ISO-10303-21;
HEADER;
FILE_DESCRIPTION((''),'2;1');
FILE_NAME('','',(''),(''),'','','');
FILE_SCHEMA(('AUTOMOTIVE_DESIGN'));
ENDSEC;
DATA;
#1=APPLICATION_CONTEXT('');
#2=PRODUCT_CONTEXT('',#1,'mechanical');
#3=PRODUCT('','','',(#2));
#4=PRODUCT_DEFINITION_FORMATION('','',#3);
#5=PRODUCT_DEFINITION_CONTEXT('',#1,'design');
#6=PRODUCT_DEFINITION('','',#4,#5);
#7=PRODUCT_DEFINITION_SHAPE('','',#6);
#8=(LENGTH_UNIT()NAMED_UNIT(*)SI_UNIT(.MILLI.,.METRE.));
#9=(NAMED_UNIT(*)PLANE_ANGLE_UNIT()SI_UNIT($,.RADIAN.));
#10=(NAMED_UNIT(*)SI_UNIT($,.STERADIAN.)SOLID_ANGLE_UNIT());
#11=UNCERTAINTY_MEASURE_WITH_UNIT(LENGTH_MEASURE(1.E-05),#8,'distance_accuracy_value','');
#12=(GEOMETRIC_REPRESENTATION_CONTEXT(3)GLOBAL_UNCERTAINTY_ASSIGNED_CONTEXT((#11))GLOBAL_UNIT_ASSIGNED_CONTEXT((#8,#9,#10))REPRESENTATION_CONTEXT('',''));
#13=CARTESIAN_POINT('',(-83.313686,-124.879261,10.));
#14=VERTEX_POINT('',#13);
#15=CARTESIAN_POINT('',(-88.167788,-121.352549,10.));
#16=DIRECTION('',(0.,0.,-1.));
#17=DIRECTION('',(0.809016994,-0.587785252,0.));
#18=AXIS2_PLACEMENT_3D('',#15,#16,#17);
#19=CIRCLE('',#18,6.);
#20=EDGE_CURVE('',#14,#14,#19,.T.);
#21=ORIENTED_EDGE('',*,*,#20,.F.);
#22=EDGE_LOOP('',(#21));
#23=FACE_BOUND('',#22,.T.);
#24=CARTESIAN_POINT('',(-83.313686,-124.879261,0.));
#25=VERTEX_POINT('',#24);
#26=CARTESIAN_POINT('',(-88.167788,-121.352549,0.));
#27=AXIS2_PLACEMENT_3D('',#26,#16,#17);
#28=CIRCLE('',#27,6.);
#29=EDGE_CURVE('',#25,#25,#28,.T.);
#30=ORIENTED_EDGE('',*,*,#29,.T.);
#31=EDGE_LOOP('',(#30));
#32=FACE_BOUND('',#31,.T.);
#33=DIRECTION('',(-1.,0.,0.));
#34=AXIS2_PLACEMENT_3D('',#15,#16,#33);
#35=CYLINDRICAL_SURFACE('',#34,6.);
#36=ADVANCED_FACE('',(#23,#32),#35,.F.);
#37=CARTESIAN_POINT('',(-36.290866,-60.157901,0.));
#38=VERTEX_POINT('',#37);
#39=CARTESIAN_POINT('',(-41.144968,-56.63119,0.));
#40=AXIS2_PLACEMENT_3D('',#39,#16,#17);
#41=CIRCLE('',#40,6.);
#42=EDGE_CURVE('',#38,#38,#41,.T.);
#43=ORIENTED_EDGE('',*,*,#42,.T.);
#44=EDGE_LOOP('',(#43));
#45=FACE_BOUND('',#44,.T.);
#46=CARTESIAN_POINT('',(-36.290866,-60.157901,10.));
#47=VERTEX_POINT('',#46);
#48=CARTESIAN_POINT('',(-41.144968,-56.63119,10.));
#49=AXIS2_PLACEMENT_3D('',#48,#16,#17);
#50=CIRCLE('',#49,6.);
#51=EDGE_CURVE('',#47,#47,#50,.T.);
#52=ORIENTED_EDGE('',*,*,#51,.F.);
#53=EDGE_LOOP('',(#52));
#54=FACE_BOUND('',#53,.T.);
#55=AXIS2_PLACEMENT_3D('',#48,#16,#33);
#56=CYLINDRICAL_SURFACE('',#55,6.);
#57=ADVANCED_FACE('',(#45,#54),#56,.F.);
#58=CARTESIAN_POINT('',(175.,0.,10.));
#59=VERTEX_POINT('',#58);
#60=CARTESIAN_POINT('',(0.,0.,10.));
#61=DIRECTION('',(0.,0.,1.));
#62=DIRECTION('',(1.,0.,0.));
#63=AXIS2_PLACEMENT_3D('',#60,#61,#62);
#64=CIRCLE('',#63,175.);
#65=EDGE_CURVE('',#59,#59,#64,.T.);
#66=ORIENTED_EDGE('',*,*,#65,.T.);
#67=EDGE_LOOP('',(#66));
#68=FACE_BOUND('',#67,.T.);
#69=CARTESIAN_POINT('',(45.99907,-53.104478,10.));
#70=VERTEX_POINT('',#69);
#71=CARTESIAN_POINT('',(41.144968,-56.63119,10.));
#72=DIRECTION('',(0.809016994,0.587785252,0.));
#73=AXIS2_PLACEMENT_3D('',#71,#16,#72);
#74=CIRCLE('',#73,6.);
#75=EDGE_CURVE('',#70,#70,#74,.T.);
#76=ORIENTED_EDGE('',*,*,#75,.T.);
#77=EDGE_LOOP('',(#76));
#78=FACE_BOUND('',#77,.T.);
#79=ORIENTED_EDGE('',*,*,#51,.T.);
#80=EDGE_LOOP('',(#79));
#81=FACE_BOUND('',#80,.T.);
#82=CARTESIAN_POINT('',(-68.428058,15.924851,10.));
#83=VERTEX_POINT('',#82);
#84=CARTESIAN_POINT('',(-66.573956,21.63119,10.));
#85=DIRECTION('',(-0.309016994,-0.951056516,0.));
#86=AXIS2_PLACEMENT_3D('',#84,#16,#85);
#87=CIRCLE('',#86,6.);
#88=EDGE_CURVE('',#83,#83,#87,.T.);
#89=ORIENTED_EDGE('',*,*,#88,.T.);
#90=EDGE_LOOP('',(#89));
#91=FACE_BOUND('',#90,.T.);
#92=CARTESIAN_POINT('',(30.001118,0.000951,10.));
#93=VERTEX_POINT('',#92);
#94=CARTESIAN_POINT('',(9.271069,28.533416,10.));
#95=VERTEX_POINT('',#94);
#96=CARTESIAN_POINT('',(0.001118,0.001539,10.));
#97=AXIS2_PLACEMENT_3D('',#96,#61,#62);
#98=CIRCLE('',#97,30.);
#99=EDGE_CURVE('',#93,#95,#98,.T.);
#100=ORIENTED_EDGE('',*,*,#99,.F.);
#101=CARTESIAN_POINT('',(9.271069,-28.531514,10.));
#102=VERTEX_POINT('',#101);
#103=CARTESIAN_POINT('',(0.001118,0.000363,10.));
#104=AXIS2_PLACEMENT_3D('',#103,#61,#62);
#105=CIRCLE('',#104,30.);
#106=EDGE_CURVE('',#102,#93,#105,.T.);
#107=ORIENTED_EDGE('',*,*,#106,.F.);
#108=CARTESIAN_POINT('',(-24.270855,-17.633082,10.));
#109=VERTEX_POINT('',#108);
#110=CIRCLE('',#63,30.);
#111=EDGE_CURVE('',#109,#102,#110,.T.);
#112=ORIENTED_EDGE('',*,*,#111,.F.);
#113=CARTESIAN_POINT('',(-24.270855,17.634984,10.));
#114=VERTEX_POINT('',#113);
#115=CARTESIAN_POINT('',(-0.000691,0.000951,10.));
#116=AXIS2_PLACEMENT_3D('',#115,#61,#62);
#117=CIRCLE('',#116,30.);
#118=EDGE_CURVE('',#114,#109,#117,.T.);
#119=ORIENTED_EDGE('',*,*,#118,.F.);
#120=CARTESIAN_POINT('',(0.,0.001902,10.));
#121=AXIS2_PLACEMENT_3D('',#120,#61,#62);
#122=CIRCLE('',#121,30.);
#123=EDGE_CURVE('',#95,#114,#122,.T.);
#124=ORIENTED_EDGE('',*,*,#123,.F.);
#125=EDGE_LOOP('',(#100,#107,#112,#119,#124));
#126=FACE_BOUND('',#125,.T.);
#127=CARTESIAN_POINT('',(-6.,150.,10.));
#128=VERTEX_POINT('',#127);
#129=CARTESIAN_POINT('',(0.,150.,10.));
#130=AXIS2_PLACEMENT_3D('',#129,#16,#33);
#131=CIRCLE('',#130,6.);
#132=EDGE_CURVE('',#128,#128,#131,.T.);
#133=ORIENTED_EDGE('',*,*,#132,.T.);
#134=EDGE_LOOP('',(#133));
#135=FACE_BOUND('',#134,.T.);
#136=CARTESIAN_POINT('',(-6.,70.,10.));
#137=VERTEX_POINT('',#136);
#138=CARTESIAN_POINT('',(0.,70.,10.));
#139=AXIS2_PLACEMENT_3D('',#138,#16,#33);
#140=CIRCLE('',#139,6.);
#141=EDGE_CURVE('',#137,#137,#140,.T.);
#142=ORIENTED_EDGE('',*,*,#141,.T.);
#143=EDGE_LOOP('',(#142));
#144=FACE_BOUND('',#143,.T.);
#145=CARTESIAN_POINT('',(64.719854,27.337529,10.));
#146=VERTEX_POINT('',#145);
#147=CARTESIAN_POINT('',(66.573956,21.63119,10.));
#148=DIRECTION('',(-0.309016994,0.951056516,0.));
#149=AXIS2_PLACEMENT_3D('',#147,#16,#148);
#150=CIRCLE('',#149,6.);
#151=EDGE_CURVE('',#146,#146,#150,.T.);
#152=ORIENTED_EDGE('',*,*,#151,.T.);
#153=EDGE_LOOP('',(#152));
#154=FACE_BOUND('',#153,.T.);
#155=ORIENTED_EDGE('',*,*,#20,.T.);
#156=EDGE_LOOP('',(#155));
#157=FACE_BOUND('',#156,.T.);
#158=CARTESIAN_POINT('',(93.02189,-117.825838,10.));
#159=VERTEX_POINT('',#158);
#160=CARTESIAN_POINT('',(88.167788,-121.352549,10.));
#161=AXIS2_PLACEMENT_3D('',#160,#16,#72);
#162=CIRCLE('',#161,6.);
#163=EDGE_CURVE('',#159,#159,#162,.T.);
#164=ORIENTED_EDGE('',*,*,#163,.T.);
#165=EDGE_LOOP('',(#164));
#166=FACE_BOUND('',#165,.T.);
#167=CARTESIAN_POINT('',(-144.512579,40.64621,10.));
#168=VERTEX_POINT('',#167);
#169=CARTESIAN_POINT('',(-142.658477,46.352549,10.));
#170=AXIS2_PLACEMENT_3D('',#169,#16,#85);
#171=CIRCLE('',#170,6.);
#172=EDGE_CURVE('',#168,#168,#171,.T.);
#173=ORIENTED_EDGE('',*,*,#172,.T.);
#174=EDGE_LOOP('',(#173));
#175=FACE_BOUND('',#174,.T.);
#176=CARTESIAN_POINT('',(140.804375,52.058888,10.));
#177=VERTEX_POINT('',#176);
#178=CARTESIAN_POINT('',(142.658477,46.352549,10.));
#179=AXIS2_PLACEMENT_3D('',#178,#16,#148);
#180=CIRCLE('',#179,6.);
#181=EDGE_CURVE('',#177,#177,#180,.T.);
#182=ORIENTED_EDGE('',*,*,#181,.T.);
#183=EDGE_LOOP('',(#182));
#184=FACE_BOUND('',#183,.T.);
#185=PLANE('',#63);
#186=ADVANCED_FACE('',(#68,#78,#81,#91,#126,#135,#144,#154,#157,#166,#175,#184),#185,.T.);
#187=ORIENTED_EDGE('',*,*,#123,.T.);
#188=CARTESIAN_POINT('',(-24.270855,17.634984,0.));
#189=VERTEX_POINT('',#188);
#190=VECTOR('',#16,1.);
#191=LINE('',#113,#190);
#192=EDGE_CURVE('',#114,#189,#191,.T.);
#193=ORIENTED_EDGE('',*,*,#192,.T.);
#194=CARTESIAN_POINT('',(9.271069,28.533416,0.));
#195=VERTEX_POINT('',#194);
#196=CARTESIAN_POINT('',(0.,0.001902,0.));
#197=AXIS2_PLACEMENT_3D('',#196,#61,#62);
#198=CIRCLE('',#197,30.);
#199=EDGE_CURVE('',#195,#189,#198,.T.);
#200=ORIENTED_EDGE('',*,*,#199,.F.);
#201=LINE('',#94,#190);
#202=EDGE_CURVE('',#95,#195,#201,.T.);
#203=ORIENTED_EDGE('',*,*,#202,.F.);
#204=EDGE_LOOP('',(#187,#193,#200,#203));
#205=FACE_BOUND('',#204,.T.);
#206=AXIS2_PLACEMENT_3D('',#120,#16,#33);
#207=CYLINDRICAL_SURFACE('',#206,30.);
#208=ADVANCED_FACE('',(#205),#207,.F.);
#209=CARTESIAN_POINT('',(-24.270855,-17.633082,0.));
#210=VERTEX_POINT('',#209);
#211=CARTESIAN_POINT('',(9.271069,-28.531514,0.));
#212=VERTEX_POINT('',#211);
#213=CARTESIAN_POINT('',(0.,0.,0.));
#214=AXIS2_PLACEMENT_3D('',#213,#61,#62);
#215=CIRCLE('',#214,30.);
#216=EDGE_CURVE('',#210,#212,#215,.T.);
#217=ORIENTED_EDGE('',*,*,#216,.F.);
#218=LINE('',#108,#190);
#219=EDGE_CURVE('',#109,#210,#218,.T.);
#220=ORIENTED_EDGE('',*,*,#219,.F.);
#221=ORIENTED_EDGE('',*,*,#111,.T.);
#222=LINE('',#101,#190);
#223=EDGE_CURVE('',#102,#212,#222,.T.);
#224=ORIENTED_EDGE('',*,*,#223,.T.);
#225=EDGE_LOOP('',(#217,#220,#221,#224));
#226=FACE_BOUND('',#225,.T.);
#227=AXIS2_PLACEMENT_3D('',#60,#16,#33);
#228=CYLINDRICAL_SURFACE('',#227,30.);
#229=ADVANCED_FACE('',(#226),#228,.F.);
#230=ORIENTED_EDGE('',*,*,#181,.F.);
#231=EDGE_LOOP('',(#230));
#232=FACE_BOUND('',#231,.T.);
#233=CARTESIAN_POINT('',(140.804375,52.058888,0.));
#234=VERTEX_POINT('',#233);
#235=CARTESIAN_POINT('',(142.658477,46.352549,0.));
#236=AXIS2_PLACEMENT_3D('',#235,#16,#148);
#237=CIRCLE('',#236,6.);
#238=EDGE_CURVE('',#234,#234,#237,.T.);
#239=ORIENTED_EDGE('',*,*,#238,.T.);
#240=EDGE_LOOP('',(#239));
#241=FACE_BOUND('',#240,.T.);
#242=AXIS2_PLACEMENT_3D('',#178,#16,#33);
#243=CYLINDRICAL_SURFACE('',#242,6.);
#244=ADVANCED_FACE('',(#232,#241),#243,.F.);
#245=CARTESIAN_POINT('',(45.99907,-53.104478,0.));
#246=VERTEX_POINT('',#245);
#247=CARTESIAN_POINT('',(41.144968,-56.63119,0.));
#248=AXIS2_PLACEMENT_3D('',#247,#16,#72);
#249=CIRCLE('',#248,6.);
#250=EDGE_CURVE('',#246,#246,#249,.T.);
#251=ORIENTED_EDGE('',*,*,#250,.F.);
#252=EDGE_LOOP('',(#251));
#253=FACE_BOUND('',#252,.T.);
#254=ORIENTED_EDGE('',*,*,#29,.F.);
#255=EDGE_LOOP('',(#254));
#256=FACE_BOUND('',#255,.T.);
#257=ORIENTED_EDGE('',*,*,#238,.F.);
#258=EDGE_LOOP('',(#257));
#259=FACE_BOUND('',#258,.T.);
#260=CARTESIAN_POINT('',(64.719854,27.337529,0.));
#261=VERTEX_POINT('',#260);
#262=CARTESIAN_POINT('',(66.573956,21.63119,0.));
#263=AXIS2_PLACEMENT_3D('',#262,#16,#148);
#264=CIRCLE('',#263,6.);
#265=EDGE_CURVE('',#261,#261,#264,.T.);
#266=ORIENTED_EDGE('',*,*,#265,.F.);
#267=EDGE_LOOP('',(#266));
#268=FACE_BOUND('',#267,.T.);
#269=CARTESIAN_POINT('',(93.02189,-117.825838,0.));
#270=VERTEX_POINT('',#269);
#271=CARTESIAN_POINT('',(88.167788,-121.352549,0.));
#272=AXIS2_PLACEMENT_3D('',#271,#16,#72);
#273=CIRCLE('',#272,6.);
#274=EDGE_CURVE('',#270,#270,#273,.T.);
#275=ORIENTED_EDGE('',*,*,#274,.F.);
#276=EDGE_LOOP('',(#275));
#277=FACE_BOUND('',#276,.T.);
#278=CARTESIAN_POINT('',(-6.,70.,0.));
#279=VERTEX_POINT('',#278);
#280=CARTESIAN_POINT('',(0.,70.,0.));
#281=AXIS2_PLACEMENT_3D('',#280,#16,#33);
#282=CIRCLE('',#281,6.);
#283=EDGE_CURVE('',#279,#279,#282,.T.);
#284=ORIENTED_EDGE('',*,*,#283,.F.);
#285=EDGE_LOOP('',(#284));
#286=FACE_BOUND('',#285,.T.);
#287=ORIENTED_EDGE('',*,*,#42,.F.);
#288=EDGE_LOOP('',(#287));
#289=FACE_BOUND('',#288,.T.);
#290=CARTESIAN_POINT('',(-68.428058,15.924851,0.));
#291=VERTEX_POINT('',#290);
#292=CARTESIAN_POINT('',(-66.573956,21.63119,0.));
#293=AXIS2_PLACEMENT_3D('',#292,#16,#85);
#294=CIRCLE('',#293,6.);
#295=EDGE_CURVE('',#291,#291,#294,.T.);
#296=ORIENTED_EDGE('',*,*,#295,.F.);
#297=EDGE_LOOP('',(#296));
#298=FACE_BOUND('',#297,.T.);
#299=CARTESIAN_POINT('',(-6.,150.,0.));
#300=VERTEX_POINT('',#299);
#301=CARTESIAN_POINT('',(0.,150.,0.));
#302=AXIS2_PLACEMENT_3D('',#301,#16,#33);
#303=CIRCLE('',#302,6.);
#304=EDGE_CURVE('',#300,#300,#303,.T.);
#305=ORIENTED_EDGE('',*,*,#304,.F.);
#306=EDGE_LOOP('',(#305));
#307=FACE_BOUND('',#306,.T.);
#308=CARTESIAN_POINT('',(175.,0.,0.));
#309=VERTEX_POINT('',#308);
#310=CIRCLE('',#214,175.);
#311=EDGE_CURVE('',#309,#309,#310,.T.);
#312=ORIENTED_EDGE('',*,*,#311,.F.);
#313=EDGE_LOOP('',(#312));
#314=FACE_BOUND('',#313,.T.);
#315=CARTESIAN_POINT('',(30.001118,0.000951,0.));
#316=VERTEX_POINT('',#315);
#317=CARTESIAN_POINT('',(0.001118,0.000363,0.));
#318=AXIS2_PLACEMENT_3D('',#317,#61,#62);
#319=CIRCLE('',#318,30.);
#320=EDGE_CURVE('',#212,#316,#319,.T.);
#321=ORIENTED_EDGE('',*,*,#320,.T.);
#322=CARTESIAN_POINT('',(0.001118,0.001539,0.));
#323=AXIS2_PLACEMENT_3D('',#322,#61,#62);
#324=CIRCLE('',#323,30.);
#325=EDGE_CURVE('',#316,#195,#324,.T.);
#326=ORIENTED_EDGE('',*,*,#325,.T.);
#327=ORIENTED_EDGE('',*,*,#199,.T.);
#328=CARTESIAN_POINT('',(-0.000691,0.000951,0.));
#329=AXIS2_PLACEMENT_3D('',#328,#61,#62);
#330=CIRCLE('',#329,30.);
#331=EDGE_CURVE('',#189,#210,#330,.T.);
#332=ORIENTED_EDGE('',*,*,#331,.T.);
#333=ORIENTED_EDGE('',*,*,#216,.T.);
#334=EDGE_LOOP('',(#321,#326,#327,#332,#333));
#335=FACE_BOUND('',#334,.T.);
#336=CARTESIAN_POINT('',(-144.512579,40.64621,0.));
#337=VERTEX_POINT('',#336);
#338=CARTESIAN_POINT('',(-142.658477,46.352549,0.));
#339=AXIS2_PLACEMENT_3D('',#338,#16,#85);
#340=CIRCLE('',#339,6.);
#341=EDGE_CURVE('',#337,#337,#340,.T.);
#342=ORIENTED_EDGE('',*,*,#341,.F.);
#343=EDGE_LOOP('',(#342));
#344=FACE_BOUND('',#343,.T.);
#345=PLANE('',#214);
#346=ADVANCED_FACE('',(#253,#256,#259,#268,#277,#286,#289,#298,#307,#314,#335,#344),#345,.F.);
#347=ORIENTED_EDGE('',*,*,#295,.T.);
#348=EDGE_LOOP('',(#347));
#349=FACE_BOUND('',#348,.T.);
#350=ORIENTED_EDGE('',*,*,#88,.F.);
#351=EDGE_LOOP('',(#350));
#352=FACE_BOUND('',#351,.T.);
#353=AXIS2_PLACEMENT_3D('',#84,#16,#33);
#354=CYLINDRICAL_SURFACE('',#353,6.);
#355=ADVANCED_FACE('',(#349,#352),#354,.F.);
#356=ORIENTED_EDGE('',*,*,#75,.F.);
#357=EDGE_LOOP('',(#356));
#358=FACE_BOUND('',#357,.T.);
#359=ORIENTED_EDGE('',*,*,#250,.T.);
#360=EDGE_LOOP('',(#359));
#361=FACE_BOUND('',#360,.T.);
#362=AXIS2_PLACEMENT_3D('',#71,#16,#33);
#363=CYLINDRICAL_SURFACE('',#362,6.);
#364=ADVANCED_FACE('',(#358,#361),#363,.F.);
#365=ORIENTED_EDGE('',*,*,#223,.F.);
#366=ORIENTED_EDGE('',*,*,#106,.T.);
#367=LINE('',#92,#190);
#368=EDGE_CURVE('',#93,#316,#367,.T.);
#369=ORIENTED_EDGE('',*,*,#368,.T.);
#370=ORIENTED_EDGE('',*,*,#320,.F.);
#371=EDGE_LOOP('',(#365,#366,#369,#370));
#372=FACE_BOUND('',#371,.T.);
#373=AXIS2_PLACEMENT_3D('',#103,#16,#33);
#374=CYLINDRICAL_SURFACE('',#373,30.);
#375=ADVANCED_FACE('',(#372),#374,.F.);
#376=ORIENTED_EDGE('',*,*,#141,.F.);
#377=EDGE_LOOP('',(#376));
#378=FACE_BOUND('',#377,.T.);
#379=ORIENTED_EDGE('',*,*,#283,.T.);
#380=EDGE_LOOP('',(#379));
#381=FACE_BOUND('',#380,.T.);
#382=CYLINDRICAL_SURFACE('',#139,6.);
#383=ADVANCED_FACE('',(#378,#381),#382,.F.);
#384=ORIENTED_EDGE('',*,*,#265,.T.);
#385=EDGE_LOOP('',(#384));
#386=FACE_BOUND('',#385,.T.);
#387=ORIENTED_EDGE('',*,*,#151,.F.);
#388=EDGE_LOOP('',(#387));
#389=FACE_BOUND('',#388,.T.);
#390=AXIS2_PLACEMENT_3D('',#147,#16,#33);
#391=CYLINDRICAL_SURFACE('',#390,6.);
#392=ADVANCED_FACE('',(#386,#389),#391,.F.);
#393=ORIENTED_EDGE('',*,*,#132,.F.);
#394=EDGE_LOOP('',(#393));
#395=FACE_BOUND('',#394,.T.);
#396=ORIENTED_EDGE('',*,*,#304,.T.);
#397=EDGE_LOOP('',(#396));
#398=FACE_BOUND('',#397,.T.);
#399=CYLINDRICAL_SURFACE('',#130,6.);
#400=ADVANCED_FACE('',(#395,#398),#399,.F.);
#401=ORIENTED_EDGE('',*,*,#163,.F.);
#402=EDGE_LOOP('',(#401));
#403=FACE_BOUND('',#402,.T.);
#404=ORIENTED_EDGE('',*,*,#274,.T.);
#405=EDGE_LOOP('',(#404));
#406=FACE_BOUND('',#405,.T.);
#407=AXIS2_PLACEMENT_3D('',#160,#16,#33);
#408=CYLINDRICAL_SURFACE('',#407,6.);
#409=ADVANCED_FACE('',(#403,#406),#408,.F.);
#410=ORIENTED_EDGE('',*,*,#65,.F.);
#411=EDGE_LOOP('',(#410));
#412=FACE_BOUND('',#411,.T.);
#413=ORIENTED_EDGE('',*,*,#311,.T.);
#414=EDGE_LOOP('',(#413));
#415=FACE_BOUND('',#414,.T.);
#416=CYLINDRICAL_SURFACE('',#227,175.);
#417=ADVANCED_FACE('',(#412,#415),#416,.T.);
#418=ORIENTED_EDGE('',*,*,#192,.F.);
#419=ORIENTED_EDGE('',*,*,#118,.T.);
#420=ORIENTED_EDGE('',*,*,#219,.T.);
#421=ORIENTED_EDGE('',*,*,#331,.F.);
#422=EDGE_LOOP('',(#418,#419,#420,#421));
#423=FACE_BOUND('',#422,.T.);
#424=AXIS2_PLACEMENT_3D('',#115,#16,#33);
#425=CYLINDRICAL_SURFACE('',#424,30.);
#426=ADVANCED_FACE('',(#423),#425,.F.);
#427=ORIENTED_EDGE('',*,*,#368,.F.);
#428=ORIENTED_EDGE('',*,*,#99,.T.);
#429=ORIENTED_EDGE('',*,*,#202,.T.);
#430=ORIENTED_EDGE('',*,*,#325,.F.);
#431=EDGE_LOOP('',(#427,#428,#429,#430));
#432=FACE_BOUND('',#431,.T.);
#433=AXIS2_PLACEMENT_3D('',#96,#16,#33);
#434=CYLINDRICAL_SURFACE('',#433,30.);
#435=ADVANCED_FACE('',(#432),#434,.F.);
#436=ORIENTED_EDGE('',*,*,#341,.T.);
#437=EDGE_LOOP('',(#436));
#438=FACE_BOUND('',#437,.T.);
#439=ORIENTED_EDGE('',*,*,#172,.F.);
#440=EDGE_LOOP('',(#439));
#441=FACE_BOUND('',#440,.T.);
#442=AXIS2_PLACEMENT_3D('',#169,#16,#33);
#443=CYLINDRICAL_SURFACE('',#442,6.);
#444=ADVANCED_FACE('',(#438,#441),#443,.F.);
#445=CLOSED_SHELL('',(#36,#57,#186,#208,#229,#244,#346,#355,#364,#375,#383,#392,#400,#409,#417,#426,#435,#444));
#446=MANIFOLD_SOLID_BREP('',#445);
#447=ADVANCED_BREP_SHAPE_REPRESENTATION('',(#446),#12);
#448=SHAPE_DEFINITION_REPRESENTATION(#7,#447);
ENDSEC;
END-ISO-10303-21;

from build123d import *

# Parameters (mm, degrees)
SKETCH1_R           = 175
BOSS_EXTRUDE2_DEPTH = 10
SKETCH2_R           = 6
CUT_EXTRUDE1_DEPTH  = 248.68932153
CIRPATTERN2_COUNT   = 5


with BuildPart() as part:
    # Sketch1 → Boss-Extrude2 (new body)
    with BuildSketch(Plane.XY):
        Circle(SKETCH1_R)
        with BuildLine():
            ThreePointArc((30.001118034, 0.000363271), (24.271455118, -17.633432061), (9.271068846, -28.531513848))
            ThreePointArc((9.271068846, -28.531513848), (-9.270509831, -28.531695489), (-24.270855318, -17.633082037))
            ThreePointArc((-24.270855318, -17.633082037), (-30.000690983, 0.000951057), (-24.270855318, 17.63498415))
            ThreePointArc((-24.270855318, 17.63498415), (-9.270509831, 28.533597602), (9.271068846, 28.533415961))
            ThreePointArc((9.271068846, 28.533415961), (24.271455118, 17.635334174), (30.001118034, 0.001538842))
            ThreePointArc((30.001118034, 0.001538842), (30.001118028, 0.000951057), (30.001118011, 0.000363271))
        make_face(mode=Mode.SUBTRACT)
    extrude(amount=BOSS_EXTRUDE2_DEPTH)

    # Sketch2 → Cut-Extrude1 (cut, through all)
    with BuildSketch(Plane(origin=(0, 0, 0), x_dir=(-1, 0, 0), z_dir=(0, 0, -1))):
        with Locations((0, 70)):
            Circle(SKETCH2_R)
        with Locations((0, 150)):
            Circle(SKETCH2_R)
    cut_extrude1 = extrude(amount=-CUT_EXTRUDE1_DEPTH, mode=Mode.SUBTRACT)

    # CirPattern2: Cut-Extrude1 ×5 about axis
    cirpattern2_axis = Axis((0, 0, 0), (0, 0, 1))
    for i in range(1, CIRPATTERN2_COUNT):
        add(cut_extrude1.rotate(cirpattern2_axis, i * 360 / CIRPATTERN2_COUNT), mode=Mode.SUBTRACT)


solid = part.part
